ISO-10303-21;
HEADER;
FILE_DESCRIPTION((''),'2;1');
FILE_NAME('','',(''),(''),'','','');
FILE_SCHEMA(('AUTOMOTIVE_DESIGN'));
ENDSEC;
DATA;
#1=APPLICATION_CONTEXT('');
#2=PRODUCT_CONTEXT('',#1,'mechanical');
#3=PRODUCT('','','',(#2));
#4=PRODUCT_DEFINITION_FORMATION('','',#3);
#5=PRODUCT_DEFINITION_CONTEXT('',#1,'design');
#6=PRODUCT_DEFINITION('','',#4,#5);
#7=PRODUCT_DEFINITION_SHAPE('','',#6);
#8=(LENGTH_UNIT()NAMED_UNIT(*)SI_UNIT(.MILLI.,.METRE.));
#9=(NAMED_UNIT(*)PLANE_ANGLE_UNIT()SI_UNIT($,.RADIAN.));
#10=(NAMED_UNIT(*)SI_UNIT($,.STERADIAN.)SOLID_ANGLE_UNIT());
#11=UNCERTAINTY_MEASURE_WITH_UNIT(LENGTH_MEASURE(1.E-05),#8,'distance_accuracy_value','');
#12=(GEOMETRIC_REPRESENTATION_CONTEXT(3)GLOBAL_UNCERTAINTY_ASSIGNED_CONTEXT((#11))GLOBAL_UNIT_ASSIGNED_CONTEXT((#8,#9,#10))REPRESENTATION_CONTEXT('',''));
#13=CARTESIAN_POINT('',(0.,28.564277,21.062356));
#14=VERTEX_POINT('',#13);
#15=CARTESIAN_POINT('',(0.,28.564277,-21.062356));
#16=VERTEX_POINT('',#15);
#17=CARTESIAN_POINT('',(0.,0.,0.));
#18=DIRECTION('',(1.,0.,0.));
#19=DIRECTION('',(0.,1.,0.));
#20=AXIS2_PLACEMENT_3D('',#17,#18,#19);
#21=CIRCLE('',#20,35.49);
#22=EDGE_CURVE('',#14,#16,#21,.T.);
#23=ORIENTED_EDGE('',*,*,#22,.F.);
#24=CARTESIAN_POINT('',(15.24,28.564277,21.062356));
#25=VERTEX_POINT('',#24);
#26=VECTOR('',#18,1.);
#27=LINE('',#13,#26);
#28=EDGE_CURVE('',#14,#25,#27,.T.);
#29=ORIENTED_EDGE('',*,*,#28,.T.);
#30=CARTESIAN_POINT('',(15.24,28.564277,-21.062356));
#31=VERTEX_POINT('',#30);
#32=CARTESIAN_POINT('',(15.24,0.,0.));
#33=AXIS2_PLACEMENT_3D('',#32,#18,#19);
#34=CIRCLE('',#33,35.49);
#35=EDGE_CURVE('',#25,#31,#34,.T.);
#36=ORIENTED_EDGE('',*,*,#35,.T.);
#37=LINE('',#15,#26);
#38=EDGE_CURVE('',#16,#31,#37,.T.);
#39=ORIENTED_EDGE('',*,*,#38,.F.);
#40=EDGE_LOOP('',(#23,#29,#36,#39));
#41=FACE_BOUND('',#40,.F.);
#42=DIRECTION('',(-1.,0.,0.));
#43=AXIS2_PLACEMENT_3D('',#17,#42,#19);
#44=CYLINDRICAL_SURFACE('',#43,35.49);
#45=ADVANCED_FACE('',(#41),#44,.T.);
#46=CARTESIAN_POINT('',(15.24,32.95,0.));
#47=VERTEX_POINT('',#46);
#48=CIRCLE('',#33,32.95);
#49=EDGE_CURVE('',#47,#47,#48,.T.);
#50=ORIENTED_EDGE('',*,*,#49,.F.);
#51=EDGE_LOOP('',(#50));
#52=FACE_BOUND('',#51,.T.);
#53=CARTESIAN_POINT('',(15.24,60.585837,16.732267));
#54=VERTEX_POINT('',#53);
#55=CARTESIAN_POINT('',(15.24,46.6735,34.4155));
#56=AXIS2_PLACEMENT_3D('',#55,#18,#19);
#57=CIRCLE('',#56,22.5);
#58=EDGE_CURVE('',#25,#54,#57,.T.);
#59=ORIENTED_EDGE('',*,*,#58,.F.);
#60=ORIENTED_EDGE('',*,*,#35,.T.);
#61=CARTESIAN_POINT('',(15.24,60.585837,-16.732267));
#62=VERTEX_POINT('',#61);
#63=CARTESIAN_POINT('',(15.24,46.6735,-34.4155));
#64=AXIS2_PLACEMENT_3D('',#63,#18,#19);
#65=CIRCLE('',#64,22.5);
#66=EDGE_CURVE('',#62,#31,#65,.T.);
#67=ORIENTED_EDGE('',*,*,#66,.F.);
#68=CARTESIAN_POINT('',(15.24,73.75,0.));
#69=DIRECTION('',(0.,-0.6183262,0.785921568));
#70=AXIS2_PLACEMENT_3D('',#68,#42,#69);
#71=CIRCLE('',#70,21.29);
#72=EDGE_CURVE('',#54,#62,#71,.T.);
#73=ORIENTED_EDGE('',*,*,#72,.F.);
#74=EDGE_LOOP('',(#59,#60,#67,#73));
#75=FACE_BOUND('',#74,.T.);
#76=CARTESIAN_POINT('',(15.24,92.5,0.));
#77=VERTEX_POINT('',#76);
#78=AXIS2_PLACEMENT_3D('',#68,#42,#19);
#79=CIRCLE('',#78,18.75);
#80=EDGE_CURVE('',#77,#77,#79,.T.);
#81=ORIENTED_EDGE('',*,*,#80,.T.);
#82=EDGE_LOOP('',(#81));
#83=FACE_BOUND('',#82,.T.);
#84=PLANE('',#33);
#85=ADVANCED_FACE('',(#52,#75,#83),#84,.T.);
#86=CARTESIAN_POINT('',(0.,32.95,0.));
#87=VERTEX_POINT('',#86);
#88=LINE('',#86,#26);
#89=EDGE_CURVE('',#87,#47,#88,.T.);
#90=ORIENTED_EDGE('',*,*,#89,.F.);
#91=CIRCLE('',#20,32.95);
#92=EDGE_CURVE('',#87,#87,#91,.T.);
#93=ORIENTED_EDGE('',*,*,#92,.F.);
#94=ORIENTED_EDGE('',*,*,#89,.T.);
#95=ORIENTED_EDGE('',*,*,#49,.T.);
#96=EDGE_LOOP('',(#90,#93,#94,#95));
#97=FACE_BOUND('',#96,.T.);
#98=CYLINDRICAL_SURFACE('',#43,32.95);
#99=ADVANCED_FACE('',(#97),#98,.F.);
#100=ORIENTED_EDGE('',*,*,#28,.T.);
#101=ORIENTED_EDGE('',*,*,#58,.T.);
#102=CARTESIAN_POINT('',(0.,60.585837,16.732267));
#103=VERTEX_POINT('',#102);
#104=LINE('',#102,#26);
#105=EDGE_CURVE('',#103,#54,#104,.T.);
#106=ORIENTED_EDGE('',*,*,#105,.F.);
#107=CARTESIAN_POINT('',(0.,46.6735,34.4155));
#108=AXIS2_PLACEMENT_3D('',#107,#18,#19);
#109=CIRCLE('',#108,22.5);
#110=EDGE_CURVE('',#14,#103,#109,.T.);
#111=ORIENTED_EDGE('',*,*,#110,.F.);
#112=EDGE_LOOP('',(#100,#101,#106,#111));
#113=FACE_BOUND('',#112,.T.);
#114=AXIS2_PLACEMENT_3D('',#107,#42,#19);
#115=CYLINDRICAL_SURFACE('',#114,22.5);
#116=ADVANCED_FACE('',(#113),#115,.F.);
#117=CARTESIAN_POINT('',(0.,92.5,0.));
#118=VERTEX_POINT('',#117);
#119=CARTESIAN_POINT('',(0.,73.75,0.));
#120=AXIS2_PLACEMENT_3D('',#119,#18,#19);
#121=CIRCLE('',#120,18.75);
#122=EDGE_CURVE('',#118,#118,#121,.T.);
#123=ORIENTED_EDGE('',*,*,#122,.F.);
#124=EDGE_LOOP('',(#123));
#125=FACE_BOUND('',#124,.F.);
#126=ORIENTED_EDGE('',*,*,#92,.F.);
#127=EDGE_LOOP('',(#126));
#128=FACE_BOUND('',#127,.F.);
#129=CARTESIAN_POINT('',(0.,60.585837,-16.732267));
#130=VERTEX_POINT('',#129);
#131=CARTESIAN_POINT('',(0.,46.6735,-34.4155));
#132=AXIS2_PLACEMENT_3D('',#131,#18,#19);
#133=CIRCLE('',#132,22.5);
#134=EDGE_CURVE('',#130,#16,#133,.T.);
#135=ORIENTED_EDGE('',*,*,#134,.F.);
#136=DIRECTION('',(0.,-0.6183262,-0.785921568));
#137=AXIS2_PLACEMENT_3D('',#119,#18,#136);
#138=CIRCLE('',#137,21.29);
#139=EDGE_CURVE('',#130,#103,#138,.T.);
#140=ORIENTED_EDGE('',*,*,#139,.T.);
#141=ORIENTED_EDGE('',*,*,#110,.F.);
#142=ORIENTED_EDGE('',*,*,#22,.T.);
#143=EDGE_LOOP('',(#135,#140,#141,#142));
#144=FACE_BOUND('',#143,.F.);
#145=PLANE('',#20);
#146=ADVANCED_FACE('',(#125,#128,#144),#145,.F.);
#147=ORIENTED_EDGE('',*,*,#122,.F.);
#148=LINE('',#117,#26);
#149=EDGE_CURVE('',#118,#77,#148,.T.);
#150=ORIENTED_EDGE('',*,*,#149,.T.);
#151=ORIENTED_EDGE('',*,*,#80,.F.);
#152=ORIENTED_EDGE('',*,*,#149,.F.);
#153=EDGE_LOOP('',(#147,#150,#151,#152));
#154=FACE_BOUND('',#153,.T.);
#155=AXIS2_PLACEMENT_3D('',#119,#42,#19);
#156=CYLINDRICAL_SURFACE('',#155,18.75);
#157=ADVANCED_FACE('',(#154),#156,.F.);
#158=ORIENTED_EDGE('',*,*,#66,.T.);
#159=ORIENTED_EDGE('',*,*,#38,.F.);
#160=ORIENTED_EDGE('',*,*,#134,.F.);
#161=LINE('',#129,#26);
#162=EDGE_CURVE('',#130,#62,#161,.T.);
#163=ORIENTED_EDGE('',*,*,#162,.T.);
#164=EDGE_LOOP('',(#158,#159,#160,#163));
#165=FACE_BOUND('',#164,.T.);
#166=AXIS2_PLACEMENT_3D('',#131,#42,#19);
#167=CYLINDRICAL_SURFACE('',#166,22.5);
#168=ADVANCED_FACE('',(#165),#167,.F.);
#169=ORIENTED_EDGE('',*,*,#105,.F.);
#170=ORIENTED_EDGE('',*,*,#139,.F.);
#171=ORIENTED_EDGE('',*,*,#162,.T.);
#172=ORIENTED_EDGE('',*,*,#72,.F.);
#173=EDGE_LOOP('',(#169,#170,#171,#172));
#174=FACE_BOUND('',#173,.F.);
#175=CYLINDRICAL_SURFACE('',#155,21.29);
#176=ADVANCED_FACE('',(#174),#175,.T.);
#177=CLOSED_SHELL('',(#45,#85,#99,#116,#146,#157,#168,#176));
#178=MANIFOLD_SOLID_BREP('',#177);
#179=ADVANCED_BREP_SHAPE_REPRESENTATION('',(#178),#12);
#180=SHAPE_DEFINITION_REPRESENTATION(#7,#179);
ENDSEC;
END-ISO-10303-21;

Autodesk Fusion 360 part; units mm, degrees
sketch "Sketch2" plane through (0, 0, 0) normal (1, 0, 0) x (0, 1, 0)
  circle A0 centre (73.75, 0) radius 21.29
  line L0 (0, 0) -> (147.5, 0) construction
  circle A1 centre (73.75, 0) radius 18.75
  line L1 (78.83, -20.32) -> (78.83, -17.78)
  circle A2 centre (0, 0) radius 35.49
  line L2 (35.49, 0) -> (52.46, 0)
  circle A3 centre (46.6735, 34.4155) radius 22.5
  circle A4 centre (46.6735, -34.4155) radius 22.5
  circle A5 centre (0, 0) radius 32.95
  dimension "d11" = 37.5
  dimension "d14" = 2.54
  dimension "d24" = 65.9
  dimension "d25" = 2.54
  dimension "d26" = 73.75
  dimension "d27" = 45
extrude "Extrude2" add sketch "Sketch2" along normal blind 15.24 contours A0 | A0 A2 L2 A3 | A0 A2 L2 A4 | A2
